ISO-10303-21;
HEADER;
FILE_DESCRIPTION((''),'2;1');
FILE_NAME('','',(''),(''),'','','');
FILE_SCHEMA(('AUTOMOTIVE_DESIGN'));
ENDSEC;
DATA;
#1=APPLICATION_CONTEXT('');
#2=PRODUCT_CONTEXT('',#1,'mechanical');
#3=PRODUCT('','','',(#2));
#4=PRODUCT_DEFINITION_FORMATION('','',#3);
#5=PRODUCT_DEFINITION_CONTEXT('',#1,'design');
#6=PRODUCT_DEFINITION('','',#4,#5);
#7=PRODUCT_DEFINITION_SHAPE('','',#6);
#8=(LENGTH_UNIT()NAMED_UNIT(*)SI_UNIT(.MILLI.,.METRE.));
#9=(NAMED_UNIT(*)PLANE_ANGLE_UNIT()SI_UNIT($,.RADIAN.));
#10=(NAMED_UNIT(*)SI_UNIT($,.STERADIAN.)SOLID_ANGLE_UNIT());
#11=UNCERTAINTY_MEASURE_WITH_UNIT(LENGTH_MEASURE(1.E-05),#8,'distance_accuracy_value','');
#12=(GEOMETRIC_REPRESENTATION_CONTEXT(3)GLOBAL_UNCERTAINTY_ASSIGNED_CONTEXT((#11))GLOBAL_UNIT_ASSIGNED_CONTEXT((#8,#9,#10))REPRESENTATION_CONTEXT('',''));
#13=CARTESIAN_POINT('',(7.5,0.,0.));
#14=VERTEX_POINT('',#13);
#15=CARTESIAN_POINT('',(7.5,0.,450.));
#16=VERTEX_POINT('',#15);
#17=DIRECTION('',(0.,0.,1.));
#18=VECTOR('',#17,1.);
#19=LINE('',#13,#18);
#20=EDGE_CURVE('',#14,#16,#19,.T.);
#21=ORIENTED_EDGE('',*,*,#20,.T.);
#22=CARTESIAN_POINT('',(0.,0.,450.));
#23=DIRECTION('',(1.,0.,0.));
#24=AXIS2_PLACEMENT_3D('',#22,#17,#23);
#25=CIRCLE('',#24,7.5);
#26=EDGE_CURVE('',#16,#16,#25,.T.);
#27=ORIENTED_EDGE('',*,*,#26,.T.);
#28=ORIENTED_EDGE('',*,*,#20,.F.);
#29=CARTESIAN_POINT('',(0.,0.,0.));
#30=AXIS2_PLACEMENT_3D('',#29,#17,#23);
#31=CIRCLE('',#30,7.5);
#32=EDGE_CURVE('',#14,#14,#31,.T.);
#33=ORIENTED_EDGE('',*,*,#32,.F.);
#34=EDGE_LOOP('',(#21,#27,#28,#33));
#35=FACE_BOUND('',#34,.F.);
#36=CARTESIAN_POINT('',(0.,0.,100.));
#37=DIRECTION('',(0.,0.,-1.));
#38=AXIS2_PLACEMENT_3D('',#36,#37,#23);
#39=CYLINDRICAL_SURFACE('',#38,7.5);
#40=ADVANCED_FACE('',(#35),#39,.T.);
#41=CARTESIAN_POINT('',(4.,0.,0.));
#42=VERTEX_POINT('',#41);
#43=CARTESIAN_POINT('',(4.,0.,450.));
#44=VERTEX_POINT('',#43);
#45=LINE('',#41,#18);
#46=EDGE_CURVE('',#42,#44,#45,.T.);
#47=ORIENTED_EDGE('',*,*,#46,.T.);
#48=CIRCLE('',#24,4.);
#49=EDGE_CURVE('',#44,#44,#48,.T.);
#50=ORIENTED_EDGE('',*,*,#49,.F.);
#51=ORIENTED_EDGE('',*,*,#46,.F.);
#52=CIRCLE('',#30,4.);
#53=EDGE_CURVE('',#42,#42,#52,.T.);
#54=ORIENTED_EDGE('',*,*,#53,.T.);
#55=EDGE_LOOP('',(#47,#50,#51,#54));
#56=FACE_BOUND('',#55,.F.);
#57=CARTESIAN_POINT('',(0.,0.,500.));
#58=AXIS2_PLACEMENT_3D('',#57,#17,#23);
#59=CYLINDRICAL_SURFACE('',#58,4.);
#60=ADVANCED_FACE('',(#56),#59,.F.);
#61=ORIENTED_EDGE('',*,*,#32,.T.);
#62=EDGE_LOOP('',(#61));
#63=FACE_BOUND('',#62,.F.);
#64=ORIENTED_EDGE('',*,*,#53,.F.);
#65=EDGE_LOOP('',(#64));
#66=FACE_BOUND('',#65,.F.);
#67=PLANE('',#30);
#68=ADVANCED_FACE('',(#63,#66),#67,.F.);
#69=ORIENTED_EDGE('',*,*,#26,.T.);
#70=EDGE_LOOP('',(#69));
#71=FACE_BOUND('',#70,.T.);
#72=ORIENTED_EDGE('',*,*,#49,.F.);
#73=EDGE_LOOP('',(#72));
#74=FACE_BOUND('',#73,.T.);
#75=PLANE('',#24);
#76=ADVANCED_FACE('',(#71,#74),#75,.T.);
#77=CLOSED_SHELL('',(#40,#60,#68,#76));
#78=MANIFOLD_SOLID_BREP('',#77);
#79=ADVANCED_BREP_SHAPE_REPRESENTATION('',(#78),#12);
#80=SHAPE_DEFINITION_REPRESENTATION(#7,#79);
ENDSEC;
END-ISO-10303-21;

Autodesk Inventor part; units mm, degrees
ref_plane "YZ Plane" through (0, 0, 0) normal (1, 0, 0) x (0, 1, 0)
ref_plane "XZ Plane" through (0, 0, 0) normal (0, 1, 0) x (-1, 0, 0)
ref_plane "XY Plane" through (0, 0, 0) normal (0, 0, 1) x (1, 0, 0)
sketch "Sketch1" plane through (0, 0, 0) normal (0, 0, 1) x (1, 0, 0)
  circle A0 centre (0, 0) radius 7.5
  dimension "d0" = 15
extrude "Extrusion1" add sketch "Sketch1" along normal blind 100
sketch "Sketch2" plane through (0, 0, 100) normal (0, 0, 1) x (1, 0, 0)
  circle A0 centre (0, 0) radius 4
  dimension "d3" = 8
extrude "Extrusion2" cut sketch "Sketch2" against normal blind 100
sketch "Sketch3" plane through (0, 0, 100) normal (0, 0, 1) x (1, 0, 0)
  circle A0 centre (0, 0) radius 7.5
extrude "Extrusion3" add sketch "Sketch3" along normal blind 400
sketch "Sketch4" plane through (0, 0, 500) normal (0, 0, 1) x (1, 0, 0)
  circle A0 centre (0, 0) radius 4
  dimension "d8" = 8
extrude "Extrusion4" cut sketch "Sketch4" against normal blind 400
sketch "Sketch5" plane through (0, 0, 500) normal (0, 0, 1) x (1, 0, 0)
  circle A0 centre (0, 0) radius 7.5
  dimension "d11" = 15
extrude "Extrusion5" cut sketch "Sketch5" against normal blind 50
thread "Thread1" size "M15x1.5" class "6g" standard "ANSI Metric M Profile" full length
properties part number "ball pickr"
